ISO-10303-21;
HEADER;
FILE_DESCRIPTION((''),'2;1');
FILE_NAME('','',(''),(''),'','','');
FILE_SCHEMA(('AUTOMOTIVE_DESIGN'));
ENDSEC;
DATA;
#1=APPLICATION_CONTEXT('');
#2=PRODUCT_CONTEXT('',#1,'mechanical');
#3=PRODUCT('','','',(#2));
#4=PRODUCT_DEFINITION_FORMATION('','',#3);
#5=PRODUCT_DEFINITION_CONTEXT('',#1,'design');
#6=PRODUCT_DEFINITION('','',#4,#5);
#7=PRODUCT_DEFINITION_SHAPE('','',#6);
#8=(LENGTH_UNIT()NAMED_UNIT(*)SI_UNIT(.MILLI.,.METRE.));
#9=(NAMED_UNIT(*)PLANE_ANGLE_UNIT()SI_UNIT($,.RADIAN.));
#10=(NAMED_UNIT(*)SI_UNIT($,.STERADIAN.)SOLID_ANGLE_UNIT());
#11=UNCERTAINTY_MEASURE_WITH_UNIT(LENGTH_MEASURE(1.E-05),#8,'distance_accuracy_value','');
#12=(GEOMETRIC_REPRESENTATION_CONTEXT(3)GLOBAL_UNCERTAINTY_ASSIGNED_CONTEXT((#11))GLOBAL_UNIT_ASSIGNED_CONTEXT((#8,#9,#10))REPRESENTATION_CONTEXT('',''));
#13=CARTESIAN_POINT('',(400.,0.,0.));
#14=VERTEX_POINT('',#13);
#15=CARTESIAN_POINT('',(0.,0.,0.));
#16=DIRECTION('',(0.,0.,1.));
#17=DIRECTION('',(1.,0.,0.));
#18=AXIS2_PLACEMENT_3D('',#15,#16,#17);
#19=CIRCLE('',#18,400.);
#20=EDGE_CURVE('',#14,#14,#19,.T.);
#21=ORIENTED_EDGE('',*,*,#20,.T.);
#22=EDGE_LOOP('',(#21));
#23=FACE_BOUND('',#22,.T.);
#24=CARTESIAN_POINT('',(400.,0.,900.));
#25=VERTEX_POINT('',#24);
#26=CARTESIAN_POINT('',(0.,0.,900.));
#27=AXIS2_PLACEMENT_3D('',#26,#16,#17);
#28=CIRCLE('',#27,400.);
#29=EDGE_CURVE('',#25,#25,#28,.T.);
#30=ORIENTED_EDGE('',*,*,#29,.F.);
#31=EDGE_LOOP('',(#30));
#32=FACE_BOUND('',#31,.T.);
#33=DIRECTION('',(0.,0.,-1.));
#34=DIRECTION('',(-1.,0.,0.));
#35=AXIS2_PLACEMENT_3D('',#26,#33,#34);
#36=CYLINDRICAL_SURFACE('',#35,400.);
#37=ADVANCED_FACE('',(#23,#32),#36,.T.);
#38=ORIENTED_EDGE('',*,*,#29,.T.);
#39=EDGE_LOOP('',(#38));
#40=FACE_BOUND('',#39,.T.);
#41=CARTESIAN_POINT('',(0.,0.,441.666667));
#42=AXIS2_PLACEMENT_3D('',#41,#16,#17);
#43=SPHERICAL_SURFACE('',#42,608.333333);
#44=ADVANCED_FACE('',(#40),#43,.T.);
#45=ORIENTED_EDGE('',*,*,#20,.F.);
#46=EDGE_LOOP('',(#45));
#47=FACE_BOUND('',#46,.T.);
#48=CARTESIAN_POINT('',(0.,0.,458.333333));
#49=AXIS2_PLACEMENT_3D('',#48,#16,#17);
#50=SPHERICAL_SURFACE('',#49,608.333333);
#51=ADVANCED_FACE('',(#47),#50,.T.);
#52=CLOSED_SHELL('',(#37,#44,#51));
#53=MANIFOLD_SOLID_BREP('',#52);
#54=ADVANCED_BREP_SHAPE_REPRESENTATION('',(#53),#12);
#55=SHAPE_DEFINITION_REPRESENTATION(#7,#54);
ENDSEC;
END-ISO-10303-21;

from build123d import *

# Parameters (mm, degrees)
SKETCH1_R           = 400
BOSS_EXTRUDE1_DEPTH = 900
DOME1_FACE_RADIUS   = 400
DOME1_HEIGHT        = 150
DOME2_FACE_RADIUS   = 400
DOME2_HEIGHT        = 150


with BuildPart() as part:
    # Sketch1 → Boss-Extrude1 (new body)
    with BuildSketch(Plane.XY):
        Circle(SKETCH1_R)
    extrude(amount=BOSS_EXTRUDE1_DEPTH)

    # Dome1: a dome of height H over a round flat face of radius A is a cap of a sphere of radius (A * A + H * H) / (2 * H)
    dome1_r = (DOME1_FACE_RADIUS * DOME1_FACE_RADIUS + DOME1_HEIGHT * DOME1_HEIGHT) / (2 * DOME1_HEIGHT)
    dome1_base = Plane((0, 0, 900), z_dir=(0, 0, 1))
    with Locations(dome1_base.offset(DOME1_HEIGHT - dome1_r)):
        dome1_ball = Sphere(dome1_r, mode=Mode.PRIVATE)
    add(split(dome1_ball, bisect_by=dome1_base, keep=Keep.TOP, mode=Mode.PRIVATE))

    # Dome2: a dome of height H over a round flat face of radius A is a cap of a sphere of radius (A * A + H * H) / (2 * H)
    dome2_r = (DOME2_FACE_RADIUS * DOME2_FACE_RADIUS + DOME2_HEIGHT * DOME2_HEIGHT) / (2 * DOME2_HEIGHT)
    dome2_base = Plane((0, 0, 0), z_dir=(0, 0, -1))
    with Locations(dome2_base.offset(DOME2_HEIGHT - dome2_r)):
        dome2_ball = Sphere(dome2_r, mode=Mode.PRIVATE)
    add(split(dome2_ball, bisect_by=dome2_base, keep=Keep.TOP, mode=Mode.PRIVATE))


solid = part.part
